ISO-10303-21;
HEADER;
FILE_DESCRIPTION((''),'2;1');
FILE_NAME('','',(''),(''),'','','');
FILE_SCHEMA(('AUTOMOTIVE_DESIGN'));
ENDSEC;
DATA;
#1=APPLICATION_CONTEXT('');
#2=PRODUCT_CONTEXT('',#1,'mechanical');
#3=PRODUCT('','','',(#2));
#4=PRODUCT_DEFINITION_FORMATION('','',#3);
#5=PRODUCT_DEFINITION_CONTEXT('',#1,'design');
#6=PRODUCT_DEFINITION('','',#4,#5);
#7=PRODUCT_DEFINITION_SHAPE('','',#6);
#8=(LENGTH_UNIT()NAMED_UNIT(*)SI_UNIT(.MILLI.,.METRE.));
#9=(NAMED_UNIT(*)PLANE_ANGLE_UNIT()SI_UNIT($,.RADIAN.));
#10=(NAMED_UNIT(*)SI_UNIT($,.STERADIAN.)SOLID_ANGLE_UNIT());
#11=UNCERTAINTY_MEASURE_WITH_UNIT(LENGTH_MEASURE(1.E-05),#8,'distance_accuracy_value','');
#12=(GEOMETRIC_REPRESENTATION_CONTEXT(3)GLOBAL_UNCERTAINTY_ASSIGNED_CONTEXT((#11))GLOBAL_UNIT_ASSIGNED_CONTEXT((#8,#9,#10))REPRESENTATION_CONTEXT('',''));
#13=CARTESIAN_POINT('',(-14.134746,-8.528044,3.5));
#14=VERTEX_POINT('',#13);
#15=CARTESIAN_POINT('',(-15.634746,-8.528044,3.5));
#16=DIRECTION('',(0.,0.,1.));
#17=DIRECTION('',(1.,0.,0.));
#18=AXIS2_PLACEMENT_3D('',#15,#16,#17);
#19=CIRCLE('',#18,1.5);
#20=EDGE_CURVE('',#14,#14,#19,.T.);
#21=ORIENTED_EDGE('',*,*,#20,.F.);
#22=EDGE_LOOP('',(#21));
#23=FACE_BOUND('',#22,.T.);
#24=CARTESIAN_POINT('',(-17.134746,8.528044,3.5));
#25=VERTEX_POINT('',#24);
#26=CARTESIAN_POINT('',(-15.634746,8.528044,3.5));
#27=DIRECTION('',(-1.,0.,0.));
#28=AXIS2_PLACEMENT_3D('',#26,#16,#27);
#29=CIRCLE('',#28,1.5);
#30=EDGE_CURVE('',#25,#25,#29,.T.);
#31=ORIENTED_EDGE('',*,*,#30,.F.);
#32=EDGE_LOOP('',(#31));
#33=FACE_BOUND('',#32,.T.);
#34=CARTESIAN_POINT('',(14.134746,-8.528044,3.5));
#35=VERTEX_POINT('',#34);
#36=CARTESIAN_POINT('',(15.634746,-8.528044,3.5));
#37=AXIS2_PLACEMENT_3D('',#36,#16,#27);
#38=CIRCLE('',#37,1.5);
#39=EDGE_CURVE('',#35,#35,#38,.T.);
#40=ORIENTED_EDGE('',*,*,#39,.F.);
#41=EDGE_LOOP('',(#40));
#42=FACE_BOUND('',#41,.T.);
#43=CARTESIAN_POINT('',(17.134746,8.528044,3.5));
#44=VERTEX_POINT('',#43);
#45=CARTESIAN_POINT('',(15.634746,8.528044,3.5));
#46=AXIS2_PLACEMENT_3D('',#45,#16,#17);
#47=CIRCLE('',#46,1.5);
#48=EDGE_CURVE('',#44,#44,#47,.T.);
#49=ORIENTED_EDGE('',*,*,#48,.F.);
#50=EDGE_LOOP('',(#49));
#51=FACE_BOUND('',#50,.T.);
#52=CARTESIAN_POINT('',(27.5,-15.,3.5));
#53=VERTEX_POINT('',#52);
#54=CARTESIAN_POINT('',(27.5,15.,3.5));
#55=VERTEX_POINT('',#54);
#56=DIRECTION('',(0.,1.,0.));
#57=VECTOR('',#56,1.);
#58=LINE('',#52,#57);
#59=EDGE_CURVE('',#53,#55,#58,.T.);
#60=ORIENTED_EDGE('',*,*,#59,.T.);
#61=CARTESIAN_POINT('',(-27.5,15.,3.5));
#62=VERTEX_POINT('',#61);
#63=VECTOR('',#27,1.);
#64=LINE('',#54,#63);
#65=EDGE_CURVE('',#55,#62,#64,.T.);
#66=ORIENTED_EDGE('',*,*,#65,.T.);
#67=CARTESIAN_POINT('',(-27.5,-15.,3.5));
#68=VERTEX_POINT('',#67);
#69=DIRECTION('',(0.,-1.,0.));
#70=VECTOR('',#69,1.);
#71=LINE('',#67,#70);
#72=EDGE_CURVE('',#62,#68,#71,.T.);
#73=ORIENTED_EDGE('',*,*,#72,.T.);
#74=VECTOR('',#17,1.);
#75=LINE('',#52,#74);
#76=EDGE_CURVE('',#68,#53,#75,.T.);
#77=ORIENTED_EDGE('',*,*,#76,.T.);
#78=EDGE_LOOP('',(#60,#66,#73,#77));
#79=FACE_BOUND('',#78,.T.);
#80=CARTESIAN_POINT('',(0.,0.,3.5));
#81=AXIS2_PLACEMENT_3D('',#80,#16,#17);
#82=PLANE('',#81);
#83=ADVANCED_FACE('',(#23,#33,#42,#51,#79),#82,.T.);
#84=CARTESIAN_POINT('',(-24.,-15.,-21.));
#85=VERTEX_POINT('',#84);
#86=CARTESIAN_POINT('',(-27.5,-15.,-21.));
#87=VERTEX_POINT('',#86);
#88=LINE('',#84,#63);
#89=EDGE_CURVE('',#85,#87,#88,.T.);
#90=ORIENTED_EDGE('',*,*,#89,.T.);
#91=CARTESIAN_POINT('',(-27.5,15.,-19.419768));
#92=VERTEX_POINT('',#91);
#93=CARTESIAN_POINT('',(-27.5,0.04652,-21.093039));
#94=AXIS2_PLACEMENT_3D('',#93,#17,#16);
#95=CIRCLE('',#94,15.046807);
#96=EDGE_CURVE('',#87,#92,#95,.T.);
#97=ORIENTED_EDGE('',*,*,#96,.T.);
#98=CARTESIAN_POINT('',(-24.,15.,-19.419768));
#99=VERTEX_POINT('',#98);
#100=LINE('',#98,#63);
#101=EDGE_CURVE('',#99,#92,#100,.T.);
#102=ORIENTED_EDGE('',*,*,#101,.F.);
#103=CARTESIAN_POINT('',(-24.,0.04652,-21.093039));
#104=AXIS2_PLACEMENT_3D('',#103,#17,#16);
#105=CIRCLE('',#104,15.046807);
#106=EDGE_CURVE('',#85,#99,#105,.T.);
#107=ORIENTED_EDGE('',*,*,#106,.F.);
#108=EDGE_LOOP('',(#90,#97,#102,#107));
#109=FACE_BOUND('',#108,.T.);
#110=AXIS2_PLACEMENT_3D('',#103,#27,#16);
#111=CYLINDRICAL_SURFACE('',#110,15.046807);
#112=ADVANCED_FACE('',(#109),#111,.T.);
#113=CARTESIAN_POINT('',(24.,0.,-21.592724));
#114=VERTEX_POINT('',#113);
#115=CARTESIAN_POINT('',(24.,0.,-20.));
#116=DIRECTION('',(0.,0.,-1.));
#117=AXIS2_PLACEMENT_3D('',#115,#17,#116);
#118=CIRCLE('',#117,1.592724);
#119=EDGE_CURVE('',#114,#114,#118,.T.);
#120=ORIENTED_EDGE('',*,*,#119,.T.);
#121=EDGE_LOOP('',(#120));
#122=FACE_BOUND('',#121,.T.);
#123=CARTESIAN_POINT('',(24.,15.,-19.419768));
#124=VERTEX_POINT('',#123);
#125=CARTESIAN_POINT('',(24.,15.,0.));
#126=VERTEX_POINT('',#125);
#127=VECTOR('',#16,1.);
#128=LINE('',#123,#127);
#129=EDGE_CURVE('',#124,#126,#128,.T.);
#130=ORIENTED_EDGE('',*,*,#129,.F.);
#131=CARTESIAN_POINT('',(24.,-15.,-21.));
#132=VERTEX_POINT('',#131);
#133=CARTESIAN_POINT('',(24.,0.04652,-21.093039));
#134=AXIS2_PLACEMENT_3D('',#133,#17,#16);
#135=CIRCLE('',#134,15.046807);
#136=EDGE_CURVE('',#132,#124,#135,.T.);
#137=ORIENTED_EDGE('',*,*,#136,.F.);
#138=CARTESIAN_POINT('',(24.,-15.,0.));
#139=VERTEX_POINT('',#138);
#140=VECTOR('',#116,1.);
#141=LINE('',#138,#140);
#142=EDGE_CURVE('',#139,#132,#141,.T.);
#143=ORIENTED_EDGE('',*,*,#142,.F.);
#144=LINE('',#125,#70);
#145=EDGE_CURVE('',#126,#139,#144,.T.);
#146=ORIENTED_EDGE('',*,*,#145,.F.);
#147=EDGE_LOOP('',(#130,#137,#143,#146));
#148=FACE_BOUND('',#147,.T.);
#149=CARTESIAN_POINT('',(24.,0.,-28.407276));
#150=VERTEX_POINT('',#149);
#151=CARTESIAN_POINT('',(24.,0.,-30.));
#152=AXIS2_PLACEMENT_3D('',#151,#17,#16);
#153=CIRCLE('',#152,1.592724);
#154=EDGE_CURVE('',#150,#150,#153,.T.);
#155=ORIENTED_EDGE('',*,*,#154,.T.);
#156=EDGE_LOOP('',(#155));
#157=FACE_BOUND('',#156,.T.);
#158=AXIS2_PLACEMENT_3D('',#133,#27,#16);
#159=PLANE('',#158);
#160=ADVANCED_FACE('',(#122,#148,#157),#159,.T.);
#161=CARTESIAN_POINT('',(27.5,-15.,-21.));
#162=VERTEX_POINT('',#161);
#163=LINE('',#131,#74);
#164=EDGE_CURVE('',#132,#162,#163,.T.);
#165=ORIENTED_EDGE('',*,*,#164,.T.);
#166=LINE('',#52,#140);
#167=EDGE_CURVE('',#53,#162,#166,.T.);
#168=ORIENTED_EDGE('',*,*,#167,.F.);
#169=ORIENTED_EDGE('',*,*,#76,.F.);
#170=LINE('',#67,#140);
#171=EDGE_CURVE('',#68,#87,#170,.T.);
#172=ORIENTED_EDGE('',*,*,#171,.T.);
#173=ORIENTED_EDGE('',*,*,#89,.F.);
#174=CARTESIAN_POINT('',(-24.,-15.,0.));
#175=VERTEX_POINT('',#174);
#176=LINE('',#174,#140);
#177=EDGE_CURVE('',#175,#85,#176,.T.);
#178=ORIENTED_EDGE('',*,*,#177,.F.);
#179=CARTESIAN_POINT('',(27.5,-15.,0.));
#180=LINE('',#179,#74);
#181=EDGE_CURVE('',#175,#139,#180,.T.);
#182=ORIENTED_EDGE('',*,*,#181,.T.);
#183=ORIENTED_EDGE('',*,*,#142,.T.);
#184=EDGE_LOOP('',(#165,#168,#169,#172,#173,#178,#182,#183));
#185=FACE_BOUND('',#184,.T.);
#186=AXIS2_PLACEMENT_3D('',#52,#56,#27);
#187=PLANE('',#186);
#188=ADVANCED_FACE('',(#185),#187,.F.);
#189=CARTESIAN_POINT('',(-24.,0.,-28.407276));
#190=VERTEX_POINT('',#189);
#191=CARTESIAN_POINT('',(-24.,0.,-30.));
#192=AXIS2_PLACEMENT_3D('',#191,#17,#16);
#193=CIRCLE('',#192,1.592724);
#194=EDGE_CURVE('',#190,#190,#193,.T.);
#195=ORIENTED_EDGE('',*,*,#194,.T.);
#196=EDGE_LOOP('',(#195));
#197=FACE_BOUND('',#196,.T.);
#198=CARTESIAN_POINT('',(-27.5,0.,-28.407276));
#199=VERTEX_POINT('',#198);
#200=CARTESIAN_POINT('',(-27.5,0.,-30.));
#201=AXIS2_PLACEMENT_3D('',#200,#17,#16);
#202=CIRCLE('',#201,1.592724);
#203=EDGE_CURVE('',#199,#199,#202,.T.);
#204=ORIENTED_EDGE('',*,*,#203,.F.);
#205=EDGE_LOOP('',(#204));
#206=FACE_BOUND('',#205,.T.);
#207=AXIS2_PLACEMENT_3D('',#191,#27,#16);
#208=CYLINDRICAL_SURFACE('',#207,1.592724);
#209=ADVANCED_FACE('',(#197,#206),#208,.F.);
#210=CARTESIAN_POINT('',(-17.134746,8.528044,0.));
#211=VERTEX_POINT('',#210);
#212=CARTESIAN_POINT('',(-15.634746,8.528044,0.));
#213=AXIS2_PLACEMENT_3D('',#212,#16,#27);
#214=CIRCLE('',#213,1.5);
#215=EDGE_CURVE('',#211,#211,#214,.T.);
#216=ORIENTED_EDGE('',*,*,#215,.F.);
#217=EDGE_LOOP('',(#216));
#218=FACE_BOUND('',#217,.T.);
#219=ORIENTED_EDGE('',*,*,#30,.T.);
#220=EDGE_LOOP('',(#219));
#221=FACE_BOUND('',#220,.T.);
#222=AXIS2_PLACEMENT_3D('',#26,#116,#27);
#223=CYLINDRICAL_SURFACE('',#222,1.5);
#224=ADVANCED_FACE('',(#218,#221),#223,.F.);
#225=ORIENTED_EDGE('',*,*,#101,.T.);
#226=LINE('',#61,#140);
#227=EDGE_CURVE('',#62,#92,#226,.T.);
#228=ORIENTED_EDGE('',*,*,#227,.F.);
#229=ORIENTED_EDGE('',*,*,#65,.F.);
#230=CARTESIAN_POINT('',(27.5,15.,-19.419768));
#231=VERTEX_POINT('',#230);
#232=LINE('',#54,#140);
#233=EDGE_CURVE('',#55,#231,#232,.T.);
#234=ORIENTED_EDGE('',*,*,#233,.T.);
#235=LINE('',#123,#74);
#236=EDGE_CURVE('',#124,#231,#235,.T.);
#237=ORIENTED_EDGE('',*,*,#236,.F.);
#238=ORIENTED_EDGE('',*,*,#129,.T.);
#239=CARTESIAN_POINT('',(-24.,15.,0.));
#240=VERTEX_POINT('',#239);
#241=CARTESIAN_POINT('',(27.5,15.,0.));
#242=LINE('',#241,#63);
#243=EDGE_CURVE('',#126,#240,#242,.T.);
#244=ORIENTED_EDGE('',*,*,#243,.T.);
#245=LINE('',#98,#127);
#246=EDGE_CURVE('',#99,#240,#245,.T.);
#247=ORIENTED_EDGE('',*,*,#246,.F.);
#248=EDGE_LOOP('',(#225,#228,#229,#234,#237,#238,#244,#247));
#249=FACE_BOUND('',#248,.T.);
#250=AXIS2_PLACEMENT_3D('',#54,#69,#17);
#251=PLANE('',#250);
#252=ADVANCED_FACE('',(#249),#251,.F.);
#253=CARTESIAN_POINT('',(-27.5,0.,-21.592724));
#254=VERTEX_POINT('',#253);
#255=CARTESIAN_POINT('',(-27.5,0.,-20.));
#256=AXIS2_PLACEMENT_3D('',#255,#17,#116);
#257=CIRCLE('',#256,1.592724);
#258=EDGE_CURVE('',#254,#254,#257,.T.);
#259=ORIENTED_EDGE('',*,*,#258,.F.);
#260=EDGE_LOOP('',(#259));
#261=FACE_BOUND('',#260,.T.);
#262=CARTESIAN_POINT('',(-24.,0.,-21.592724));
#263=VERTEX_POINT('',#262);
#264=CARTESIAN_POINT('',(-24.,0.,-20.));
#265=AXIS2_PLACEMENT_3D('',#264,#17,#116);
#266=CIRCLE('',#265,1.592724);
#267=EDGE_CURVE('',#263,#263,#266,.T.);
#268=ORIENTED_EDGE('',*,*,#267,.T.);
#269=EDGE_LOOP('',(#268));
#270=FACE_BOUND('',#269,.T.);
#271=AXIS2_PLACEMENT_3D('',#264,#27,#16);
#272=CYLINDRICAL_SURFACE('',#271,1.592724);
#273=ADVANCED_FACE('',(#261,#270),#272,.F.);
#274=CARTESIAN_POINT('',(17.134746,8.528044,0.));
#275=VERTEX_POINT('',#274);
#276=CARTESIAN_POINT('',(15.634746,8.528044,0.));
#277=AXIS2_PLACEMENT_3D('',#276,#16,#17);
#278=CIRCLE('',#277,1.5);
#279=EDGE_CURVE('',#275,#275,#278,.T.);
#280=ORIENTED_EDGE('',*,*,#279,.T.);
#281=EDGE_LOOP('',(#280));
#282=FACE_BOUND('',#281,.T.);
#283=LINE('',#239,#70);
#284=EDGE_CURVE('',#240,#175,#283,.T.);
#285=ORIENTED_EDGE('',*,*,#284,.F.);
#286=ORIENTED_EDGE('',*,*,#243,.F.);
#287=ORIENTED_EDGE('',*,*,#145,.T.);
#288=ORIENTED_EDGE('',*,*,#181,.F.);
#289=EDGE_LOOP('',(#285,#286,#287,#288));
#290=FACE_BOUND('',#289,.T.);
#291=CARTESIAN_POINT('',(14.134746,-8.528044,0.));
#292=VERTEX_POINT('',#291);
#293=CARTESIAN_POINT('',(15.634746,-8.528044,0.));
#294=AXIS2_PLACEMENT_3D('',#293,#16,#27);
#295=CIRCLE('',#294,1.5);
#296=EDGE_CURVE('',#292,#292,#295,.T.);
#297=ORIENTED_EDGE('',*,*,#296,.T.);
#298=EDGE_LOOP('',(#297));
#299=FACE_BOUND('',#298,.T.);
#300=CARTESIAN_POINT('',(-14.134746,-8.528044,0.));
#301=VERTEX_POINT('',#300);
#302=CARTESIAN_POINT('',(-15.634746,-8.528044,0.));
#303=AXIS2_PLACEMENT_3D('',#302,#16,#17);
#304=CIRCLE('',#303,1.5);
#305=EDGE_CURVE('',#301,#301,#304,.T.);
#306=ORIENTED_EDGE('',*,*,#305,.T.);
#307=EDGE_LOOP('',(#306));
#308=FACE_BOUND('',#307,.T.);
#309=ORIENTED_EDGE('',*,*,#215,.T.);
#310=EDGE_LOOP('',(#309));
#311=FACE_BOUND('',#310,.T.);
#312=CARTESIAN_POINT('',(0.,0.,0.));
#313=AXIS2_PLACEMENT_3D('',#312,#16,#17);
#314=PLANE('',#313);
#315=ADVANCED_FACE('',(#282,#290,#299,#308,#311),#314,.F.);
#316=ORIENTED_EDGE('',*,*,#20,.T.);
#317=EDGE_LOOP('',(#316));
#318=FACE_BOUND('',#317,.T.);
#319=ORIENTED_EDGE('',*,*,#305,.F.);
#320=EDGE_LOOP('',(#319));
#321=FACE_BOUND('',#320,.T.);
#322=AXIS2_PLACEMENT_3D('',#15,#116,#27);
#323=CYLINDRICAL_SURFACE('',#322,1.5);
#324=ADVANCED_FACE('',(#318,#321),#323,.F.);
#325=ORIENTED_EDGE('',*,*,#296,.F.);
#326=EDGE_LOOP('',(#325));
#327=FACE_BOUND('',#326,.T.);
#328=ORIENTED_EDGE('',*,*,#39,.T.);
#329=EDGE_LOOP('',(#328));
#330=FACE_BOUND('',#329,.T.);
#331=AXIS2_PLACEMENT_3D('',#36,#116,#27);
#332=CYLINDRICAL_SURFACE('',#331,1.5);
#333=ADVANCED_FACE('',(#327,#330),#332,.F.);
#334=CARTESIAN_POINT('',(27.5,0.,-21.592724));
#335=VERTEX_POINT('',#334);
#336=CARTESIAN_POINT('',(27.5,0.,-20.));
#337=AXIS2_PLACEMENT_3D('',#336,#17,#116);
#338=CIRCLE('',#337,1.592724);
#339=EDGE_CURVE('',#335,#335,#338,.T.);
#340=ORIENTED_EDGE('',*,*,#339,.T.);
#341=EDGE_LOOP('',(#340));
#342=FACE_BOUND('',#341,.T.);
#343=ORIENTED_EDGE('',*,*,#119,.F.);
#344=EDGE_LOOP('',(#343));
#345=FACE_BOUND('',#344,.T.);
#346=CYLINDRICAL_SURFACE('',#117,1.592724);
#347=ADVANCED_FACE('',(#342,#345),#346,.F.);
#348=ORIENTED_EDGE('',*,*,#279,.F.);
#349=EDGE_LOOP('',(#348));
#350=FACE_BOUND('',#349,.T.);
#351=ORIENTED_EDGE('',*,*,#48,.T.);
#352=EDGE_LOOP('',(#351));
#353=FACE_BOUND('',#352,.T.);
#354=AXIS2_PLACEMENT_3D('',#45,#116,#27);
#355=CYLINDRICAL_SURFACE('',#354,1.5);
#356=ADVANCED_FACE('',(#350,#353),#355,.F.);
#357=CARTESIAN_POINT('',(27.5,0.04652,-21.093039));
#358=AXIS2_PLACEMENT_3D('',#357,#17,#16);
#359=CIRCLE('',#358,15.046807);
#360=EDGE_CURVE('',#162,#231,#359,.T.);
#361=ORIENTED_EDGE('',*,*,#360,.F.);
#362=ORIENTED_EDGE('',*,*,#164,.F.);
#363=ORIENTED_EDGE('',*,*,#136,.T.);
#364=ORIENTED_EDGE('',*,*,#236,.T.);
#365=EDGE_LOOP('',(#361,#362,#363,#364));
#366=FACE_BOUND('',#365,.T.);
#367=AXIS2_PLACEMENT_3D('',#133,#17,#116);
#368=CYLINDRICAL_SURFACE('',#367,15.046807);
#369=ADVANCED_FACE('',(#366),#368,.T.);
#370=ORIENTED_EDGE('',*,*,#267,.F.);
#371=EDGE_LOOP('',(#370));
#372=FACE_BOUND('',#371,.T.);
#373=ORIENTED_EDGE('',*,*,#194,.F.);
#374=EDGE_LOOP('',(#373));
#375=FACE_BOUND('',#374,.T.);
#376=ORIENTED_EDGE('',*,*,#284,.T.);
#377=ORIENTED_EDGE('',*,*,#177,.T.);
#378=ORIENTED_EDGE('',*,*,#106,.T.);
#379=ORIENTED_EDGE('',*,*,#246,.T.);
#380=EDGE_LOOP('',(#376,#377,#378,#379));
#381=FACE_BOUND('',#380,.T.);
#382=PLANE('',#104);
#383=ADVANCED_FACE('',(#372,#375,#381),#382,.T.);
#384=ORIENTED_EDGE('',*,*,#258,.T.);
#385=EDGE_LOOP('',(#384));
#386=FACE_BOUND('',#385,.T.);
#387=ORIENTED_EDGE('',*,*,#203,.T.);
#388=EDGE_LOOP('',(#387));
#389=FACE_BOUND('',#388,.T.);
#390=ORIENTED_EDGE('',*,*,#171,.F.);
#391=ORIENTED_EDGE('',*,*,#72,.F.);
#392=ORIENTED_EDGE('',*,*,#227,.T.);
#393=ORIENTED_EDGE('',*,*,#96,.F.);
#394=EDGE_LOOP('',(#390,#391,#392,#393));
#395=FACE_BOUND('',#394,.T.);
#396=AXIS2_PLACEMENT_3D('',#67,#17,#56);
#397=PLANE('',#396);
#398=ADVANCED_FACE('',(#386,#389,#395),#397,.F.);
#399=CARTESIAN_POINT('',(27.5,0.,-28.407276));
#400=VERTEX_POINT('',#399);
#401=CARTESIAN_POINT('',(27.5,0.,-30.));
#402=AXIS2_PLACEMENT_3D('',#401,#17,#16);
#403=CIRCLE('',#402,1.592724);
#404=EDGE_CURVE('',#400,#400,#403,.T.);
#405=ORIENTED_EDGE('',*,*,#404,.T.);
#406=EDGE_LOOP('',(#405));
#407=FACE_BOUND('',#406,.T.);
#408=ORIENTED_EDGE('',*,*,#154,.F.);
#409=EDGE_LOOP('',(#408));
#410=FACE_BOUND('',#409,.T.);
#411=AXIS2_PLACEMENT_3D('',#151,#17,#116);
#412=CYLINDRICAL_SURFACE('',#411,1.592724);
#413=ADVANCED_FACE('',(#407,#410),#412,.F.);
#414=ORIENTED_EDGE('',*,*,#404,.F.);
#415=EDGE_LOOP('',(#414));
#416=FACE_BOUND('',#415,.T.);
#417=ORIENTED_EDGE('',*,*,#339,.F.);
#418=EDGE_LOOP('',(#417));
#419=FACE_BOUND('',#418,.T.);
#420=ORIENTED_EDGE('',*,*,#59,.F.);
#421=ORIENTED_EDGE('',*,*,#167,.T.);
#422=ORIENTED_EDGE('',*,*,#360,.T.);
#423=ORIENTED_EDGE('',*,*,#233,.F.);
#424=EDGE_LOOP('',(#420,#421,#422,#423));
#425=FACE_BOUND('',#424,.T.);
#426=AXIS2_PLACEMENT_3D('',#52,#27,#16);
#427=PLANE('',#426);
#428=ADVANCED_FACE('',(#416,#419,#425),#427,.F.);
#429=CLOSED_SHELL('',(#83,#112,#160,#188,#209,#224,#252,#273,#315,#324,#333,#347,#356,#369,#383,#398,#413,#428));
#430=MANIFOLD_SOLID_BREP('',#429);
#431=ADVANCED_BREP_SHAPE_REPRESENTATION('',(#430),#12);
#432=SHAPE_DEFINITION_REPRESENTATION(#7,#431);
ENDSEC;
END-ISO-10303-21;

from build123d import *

# Parameters (mm, degrees)
SKETCH_1_W      = 55
SKETCH_1_H      = 30
SKETCH_1_R      = 1.5
EXTRUDE_1_DEPTH = 3.5
SKETCH_2_R      = 1.592723526
EXTRUDE_2_DEPTH = 3.5


with BuildPart() as part:
    # 草图1 → 凸台-拉伸1 (new body)
    with BuildSketch(Plane.XY):
        Rectangle(SKETCH_1_W, SKETCH_1_H)
        with Locations((15.634746474, 8.528043531)):
            Circle(SKETCH_1_R, mode=Mode.SUBTRACT)
        with Locations(Location((-15.634746474, 8.528043531, 0), (0, 0, 180))):
            Circle(SKETCH_1_R, mode=Mode.SUBTRACT)
        with Locations(Location((15.634746474, -8.528043531, 0), (0, 0, 180))):
            Circle(SKETCH_1_R, mode=Mode.SUBTRACT)
        with Locations((-15.634746474, -8.528043531)):
            Circle(SKETCH_1_R, mode=Mode.SUBTRACT)
    extrude(amount=EXTRUDE_1_DEPTH)

    # 草图2 → 凸台-拉伸2 (add)
    with BuildSketch(Plane(origin=(27.5, 0, 0), x_dir=(0, 0, -1), z_dir=(1, 0, 0))):
        with BuildLine():
            Line((0, 15), (0, -15))
            Line((0, -15), (21, -15))
            ThreePointArc((21, -15), (36.119015722, 0.838004237), (19.419767517, 15))
            Line((19.419767517, 15), (0, 15))
        make_face()
        with Locations((20, 0)):
            Circle(SKETCH_2_R, mode=Mode.SUBTRACT)
        with Locations(Location((30, 0, 0), (0, 0, 180))):
            Circle(SKETCH_2_R, mode=Mode.SUBTRACT)
    extrude_2 = extrude(amount=-EXTRUDE_2_DEPTH)

    # 镜向1: 凸台-拉伸2 across plane
    add(extrude_2.mirror(Plane(origin=(0, 0, 0), x_dir=(0, 0, 1), z_dir=(1, 0, 0))))


solid = part.part
